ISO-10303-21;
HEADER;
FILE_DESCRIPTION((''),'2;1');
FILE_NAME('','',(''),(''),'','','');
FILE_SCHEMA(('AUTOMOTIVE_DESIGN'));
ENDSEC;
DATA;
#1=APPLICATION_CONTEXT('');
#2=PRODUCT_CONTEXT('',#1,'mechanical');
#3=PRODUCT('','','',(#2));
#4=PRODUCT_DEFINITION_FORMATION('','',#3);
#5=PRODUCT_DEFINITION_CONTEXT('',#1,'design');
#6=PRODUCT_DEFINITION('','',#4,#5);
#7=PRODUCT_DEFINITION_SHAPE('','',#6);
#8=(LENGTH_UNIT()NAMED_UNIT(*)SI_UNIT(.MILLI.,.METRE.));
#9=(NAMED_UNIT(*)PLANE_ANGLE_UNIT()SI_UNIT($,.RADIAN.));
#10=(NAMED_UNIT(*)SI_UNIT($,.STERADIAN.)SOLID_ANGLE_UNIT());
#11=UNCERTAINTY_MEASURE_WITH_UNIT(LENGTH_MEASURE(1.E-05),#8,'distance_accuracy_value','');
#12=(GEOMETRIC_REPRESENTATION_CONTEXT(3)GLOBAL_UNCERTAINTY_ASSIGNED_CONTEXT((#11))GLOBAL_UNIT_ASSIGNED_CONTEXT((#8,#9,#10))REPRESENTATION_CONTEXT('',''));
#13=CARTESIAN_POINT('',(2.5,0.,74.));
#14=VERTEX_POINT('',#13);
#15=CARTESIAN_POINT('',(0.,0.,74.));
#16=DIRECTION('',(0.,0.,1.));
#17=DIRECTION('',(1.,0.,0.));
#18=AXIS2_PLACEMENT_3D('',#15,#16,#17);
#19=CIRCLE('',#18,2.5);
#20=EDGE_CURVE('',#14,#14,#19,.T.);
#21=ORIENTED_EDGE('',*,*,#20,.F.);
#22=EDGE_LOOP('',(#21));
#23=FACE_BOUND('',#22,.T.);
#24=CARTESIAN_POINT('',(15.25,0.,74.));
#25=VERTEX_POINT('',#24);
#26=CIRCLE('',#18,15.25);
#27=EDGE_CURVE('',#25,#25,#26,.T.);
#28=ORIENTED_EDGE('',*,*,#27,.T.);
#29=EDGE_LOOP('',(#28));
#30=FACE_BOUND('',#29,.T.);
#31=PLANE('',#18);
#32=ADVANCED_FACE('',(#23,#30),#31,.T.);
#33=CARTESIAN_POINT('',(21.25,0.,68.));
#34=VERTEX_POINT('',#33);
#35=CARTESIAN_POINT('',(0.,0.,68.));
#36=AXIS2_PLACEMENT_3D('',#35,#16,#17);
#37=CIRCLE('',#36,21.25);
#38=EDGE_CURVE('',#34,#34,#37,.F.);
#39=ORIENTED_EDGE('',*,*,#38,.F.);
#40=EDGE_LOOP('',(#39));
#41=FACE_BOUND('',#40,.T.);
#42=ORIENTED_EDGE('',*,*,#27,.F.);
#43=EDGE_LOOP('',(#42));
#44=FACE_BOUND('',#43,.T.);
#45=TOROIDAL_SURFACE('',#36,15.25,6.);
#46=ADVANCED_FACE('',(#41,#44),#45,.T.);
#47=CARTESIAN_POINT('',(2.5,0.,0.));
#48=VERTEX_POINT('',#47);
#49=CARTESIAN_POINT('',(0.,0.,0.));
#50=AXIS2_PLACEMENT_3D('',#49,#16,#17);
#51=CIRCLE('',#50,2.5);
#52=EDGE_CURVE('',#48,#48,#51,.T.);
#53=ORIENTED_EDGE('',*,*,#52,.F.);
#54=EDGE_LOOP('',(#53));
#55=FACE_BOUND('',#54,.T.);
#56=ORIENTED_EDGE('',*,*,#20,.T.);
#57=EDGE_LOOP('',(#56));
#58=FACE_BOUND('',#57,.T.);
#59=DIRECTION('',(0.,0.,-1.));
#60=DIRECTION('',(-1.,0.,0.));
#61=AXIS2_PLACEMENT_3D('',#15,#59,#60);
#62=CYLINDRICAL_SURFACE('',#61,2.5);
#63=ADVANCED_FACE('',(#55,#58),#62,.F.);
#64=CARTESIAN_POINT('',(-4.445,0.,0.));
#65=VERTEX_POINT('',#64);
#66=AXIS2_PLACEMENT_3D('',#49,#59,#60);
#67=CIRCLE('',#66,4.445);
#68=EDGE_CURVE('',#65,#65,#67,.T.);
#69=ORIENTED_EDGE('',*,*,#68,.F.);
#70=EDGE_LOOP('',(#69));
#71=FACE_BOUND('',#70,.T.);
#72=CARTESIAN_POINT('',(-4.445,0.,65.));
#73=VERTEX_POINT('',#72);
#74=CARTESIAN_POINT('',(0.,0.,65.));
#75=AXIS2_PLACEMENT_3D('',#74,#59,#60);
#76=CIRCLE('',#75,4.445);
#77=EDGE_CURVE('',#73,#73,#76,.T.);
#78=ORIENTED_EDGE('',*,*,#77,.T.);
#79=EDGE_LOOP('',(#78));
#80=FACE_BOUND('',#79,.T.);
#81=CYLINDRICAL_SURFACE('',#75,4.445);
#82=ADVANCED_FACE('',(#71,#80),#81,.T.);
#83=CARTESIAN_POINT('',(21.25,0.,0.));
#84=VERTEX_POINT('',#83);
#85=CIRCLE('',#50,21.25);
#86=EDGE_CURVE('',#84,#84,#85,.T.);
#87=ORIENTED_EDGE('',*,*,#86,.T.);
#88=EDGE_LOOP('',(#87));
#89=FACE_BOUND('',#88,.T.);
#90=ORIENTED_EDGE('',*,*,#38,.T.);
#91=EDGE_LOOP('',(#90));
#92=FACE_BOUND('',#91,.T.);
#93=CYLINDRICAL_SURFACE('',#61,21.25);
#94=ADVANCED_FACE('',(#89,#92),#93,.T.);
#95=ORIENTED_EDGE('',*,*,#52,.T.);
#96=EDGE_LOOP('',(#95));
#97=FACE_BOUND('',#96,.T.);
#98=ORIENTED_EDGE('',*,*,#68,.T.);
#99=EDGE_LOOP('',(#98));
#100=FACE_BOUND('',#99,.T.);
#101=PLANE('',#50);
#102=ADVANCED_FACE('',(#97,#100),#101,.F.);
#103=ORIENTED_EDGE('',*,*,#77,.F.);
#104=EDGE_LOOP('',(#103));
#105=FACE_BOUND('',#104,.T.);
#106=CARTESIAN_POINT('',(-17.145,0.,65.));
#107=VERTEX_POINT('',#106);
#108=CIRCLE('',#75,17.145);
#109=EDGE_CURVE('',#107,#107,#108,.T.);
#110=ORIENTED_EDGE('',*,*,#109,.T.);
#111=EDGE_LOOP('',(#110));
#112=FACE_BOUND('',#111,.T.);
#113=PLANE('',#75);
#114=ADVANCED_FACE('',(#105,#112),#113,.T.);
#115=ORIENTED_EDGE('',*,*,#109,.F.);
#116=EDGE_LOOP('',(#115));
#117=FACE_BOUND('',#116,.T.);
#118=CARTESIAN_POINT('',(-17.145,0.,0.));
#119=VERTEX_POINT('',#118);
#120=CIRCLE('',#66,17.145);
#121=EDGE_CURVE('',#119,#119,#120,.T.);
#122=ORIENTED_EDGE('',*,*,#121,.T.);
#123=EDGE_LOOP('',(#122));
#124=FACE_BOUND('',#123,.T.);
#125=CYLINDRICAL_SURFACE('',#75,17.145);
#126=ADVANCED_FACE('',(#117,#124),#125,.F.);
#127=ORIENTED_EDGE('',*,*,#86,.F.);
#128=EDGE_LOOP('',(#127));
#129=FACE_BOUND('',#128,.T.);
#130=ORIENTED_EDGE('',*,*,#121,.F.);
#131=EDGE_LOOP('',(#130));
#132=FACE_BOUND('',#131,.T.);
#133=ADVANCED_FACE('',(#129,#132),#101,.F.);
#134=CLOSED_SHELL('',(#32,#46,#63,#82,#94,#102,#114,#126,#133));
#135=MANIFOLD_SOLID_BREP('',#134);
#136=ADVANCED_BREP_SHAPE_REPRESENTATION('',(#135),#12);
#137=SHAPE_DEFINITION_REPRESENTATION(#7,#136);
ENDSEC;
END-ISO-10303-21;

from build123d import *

# Parameters (mm, degrees)
SKETCH1_R           = 21.25
SKETCH1_R_2         = 2.5
BOSS_EXTRUDE1_DEPTH = 74
FILLET1_R           = 6
SKETCH2_R           = 17.145
SKETCH2_R_2         = 4.445
CUT_EXTRUDE1_DEPTH  = 65


with BuildPart() as part:
    # Sketch1 → Boss-Extrude1 (new body)
    with BuildSketch(Plane.XY):
        Circle(SKETCH1_R)
        Circle(SKETCH1_R_2, mode=Mode.SUBTRACT)
    extrude(amount=BOSS_EXTRUDE1_DEPTH)

    # Fillet1
    fillet1_edges = [part.edges().sort_by_distance(p)[0] for p in [
        (-21.25, 0, 74),
    ]]
    fillet(fillet1_edges, radius=FILLET1_R)

    # Sketch2 → Cut-Extrude1 (cut)
    with BuildSketch(Plane(origin=(0, 0, 0), x_dir=(-1, 0, 0), z_dir=(0, 0, -1))):
        Circle(SKETCH2_R)
        Circle(SKETCH2_R_2, mode=Mode.SUBTRACT)
    extrude(amount=-CUT_EXTRUDE1_DEPTH, mode=Mode.SUBTRACT)


solid = part.part
